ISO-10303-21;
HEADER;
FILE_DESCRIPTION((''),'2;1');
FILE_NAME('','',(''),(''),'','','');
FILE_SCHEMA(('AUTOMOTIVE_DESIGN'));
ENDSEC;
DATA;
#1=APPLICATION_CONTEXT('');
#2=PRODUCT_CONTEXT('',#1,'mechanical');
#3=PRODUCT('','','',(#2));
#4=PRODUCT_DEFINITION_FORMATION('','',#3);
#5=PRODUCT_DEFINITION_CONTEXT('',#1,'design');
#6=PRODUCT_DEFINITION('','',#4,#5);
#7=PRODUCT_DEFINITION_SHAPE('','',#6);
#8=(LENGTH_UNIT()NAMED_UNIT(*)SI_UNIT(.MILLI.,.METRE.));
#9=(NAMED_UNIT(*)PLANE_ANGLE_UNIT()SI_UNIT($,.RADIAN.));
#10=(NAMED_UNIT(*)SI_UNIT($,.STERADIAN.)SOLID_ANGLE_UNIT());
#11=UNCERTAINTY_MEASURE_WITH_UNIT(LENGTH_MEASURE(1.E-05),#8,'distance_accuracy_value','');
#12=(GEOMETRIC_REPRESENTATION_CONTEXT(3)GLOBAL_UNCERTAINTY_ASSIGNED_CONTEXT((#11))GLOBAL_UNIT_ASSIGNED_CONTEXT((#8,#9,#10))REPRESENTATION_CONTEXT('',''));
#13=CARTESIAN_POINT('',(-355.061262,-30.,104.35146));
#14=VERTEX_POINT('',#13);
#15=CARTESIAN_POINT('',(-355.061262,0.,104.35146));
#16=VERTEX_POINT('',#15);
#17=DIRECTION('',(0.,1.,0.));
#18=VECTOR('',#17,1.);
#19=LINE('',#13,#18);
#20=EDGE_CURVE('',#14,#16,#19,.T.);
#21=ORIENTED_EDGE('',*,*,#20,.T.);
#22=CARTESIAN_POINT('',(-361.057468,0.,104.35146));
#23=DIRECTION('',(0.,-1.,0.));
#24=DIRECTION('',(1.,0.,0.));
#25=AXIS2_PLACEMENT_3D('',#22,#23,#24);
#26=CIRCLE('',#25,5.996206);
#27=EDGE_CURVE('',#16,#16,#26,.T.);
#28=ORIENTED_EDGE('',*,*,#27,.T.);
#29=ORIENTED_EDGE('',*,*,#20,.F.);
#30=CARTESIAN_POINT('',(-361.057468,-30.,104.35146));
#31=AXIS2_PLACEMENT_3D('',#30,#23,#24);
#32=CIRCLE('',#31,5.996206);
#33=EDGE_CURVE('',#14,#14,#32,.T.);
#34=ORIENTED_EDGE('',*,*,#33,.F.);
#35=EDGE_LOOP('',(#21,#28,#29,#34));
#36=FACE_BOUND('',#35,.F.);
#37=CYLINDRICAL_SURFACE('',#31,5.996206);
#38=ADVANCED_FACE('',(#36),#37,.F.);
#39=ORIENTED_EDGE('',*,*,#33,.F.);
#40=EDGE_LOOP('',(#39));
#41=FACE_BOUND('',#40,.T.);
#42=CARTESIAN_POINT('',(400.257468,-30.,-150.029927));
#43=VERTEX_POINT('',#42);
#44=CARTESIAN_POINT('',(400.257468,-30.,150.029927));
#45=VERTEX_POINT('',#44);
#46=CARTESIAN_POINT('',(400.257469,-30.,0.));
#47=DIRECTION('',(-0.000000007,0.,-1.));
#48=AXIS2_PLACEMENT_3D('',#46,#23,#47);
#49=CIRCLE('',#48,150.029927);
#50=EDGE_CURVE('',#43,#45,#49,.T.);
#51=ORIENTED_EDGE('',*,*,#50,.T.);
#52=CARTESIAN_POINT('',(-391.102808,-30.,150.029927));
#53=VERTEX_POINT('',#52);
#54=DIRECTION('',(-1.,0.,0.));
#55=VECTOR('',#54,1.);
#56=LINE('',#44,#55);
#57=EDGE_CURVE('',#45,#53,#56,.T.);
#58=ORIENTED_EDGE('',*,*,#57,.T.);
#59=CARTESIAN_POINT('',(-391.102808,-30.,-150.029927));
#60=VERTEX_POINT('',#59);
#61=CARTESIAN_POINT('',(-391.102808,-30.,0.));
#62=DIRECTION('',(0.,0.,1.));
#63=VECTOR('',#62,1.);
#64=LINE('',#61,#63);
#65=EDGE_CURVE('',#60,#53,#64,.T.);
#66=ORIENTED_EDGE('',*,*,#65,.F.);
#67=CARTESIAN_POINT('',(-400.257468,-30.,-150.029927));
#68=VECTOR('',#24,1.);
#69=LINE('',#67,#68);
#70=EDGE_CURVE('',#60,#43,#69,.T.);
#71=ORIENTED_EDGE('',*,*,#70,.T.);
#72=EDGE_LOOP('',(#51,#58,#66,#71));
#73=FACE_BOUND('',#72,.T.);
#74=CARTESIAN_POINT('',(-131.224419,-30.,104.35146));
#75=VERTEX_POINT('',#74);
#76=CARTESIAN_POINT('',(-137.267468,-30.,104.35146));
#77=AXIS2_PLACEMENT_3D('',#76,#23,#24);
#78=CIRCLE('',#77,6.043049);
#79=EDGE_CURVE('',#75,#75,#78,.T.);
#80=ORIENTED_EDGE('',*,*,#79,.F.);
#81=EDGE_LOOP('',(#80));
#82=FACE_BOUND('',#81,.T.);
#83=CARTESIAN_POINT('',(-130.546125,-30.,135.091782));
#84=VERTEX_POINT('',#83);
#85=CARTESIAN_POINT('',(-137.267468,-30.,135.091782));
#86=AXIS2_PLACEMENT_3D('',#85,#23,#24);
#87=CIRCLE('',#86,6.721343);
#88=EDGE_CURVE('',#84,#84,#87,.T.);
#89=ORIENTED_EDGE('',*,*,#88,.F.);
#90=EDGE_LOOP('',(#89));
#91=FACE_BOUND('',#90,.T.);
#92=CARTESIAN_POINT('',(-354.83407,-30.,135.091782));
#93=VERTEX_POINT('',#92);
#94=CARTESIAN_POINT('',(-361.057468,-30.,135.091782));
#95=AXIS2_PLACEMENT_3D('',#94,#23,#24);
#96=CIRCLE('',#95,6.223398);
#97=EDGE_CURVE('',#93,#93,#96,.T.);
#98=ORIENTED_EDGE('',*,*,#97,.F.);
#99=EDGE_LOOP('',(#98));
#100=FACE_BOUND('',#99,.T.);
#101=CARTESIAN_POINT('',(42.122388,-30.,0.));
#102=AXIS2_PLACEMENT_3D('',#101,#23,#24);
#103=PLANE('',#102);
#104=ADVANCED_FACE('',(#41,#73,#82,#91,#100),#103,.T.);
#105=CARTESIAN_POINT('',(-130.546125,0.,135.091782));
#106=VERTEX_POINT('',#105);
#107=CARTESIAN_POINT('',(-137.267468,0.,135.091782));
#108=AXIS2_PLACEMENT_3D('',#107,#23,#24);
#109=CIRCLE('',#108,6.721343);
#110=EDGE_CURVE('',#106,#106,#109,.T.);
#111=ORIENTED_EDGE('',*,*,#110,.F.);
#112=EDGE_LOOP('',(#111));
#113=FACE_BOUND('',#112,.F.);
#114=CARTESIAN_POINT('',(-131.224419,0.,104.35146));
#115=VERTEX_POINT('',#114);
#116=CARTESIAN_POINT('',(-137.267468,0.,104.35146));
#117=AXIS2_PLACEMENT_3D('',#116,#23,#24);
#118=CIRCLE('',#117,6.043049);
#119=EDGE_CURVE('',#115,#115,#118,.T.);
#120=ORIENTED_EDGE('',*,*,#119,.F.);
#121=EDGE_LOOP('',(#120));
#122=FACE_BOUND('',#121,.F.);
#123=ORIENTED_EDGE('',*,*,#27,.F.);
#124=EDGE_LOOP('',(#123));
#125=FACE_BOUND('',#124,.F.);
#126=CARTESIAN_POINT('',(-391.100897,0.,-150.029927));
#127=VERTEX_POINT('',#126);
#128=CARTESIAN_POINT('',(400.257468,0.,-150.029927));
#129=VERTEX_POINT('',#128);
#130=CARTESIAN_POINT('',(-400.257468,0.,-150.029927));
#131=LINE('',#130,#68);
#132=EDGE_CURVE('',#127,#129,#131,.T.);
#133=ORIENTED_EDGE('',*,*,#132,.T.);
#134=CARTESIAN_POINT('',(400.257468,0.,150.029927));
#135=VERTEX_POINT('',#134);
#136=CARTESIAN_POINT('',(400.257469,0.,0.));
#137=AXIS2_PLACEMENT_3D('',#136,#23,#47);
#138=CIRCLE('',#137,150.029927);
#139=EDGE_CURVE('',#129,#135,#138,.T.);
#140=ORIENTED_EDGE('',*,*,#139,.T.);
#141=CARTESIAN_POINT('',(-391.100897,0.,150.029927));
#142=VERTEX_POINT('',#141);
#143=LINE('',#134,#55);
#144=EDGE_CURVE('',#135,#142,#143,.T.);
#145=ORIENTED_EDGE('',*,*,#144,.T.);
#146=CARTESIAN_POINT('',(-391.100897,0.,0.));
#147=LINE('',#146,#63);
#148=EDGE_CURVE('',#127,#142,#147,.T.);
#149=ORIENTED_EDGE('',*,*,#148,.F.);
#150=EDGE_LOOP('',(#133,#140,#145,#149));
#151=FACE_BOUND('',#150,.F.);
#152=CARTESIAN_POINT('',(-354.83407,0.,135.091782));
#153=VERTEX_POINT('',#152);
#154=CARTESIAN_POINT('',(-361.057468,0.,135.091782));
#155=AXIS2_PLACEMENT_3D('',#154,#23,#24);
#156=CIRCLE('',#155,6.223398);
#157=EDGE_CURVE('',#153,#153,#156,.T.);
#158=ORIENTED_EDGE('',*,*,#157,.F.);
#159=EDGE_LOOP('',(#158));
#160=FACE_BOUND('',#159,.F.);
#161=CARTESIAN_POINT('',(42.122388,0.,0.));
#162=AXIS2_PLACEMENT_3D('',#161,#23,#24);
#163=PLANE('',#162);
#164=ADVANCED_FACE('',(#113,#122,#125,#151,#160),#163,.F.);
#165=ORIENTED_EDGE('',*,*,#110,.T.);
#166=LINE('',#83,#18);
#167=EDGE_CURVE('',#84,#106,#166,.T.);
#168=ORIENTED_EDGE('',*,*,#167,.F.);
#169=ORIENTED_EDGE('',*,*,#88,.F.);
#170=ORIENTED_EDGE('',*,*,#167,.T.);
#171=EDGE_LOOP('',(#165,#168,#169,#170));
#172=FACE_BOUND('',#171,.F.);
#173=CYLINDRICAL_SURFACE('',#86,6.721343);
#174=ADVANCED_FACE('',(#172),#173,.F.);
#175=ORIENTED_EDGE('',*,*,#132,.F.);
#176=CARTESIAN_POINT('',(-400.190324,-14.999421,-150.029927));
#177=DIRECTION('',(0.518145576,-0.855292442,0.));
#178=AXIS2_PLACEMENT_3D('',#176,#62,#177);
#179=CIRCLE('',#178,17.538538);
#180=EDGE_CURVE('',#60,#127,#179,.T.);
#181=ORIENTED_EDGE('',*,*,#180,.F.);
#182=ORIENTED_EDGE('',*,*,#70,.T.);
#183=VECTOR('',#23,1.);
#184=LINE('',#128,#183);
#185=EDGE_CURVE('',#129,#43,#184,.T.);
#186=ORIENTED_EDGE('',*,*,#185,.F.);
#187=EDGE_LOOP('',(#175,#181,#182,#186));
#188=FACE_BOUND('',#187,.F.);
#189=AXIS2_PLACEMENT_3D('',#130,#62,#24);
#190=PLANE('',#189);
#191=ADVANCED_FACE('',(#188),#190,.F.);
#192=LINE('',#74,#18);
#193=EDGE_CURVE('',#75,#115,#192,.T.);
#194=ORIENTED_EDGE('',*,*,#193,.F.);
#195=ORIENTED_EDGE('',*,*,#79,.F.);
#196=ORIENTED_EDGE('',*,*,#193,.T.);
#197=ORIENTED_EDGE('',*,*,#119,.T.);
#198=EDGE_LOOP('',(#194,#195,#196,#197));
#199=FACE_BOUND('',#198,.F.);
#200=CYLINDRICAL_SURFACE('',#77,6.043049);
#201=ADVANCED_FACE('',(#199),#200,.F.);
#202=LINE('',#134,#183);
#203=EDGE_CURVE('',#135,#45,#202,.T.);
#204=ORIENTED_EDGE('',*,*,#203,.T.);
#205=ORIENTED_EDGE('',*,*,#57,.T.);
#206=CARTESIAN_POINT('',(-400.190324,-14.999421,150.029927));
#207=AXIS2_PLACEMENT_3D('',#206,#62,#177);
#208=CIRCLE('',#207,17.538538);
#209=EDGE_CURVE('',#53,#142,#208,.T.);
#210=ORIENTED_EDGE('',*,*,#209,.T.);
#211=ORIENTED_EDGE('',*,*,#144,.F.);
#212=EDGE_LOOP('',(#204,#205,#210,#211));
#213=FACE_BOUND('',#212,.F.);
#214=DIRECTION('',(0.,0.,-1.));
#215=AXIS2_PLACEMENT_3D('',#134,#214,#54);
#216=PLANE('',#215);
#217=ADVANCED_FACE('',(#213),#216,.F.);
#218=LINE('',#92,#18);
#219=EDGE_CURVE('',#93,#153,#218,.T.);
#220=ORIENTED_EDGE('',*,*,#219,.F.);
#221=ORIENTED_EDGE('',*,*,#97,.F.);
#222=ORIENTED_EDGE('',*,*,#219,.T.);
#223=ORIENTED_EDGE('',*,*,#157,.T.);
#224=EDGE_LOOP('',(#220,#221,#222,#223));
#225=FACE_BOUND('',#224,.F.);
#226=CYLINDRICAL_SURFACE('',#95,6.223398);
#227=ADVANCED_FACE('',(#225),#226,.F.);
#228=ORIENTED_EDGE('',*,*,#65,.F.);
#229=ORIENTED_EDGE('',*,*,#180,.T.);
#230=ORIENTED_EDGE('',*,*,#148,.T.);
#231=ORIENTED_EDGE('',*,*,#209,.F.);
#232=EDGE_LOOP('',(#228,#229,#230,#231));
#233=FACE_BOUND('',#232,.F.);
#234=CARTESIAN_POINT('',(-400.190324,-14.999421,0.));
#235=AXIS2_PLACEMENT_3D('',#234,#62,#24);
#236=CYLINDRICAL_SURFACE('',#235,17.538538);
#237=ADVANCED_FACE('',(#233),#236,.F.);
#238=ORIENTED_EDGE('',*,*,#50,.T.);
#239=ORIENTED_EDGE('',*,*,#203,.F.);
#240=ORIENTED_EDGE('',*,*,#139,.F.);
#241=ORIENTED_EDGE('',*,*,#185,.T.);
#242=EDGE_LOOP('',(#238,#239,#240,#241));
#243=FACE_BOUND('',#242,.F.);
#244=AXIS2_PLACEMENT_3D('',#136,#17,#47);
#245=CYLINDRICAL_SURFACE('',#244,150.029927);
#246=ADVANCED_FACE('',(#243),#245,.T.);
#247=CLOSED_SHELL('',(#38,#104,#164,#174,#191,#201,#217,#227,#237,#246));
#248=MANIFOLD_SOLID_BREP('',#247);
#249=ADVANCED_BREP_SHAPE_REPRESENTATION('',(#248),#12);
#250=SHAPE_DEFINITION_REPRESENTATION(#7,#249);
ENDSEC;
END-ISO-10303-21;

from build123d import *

# Parameters (mm, degrees)
F1_DEPTH = 30
F2_R     = 6.223398
F2_R_2   = 5.996206
F2_R_3   = 6.721343
F2_R_4   = 6.043049
F3_DEPTH = 35
F4_R     = 17.538538
F5_DEPTH = 500


with BuildPart() as f1:
    # F0 (on Front) → F1 (new body)
    with BuildSketch(Plane.XZ):
        with BuildLine():
            Line((-400.257468, -150.029927), (400.257468, -150.029927))
            ThreePointArc((400.257468, -150.029927), (550.287396, 0), (400.257468, 150.029927))
            Line((400.257468, 150.029927), (-400.257468, 150.029927))
            Line((-400.257468, 150.029927), (-400.257468, -150.029927))
        make_face()
    extrude(amount=F1_DEPTH)

    # F2 (on face) → F3 (cut)
    with BuildSketch(Plane.XZ.offset(30)):
        with Locations((-361.057468, 135.091782)):
            Circle(F2_R)
        with Locations((-361.057468, 104.35146)):
            Circle(F2_R_2)
        with Locations((-137.267468, 135.091782)):
            Circle(F2_R_3)
        with Locations((-137.267468, 104.35146)):
            Circle(F2_R_4)
    extrude(amount=-F3_DEPTH, mode=Mode.SUBTRACT)

    # F4 (on Top) → F5 (cut, symmetric)
    with BuildSketch(Plane.XY):
        with Locations((-400.190324, -14.999421)):
            Circle(F4_R)
    extrude(amount=F5_DEPTH, both=True, mode=Mode.SUBTRACT)


solid = f1.part
